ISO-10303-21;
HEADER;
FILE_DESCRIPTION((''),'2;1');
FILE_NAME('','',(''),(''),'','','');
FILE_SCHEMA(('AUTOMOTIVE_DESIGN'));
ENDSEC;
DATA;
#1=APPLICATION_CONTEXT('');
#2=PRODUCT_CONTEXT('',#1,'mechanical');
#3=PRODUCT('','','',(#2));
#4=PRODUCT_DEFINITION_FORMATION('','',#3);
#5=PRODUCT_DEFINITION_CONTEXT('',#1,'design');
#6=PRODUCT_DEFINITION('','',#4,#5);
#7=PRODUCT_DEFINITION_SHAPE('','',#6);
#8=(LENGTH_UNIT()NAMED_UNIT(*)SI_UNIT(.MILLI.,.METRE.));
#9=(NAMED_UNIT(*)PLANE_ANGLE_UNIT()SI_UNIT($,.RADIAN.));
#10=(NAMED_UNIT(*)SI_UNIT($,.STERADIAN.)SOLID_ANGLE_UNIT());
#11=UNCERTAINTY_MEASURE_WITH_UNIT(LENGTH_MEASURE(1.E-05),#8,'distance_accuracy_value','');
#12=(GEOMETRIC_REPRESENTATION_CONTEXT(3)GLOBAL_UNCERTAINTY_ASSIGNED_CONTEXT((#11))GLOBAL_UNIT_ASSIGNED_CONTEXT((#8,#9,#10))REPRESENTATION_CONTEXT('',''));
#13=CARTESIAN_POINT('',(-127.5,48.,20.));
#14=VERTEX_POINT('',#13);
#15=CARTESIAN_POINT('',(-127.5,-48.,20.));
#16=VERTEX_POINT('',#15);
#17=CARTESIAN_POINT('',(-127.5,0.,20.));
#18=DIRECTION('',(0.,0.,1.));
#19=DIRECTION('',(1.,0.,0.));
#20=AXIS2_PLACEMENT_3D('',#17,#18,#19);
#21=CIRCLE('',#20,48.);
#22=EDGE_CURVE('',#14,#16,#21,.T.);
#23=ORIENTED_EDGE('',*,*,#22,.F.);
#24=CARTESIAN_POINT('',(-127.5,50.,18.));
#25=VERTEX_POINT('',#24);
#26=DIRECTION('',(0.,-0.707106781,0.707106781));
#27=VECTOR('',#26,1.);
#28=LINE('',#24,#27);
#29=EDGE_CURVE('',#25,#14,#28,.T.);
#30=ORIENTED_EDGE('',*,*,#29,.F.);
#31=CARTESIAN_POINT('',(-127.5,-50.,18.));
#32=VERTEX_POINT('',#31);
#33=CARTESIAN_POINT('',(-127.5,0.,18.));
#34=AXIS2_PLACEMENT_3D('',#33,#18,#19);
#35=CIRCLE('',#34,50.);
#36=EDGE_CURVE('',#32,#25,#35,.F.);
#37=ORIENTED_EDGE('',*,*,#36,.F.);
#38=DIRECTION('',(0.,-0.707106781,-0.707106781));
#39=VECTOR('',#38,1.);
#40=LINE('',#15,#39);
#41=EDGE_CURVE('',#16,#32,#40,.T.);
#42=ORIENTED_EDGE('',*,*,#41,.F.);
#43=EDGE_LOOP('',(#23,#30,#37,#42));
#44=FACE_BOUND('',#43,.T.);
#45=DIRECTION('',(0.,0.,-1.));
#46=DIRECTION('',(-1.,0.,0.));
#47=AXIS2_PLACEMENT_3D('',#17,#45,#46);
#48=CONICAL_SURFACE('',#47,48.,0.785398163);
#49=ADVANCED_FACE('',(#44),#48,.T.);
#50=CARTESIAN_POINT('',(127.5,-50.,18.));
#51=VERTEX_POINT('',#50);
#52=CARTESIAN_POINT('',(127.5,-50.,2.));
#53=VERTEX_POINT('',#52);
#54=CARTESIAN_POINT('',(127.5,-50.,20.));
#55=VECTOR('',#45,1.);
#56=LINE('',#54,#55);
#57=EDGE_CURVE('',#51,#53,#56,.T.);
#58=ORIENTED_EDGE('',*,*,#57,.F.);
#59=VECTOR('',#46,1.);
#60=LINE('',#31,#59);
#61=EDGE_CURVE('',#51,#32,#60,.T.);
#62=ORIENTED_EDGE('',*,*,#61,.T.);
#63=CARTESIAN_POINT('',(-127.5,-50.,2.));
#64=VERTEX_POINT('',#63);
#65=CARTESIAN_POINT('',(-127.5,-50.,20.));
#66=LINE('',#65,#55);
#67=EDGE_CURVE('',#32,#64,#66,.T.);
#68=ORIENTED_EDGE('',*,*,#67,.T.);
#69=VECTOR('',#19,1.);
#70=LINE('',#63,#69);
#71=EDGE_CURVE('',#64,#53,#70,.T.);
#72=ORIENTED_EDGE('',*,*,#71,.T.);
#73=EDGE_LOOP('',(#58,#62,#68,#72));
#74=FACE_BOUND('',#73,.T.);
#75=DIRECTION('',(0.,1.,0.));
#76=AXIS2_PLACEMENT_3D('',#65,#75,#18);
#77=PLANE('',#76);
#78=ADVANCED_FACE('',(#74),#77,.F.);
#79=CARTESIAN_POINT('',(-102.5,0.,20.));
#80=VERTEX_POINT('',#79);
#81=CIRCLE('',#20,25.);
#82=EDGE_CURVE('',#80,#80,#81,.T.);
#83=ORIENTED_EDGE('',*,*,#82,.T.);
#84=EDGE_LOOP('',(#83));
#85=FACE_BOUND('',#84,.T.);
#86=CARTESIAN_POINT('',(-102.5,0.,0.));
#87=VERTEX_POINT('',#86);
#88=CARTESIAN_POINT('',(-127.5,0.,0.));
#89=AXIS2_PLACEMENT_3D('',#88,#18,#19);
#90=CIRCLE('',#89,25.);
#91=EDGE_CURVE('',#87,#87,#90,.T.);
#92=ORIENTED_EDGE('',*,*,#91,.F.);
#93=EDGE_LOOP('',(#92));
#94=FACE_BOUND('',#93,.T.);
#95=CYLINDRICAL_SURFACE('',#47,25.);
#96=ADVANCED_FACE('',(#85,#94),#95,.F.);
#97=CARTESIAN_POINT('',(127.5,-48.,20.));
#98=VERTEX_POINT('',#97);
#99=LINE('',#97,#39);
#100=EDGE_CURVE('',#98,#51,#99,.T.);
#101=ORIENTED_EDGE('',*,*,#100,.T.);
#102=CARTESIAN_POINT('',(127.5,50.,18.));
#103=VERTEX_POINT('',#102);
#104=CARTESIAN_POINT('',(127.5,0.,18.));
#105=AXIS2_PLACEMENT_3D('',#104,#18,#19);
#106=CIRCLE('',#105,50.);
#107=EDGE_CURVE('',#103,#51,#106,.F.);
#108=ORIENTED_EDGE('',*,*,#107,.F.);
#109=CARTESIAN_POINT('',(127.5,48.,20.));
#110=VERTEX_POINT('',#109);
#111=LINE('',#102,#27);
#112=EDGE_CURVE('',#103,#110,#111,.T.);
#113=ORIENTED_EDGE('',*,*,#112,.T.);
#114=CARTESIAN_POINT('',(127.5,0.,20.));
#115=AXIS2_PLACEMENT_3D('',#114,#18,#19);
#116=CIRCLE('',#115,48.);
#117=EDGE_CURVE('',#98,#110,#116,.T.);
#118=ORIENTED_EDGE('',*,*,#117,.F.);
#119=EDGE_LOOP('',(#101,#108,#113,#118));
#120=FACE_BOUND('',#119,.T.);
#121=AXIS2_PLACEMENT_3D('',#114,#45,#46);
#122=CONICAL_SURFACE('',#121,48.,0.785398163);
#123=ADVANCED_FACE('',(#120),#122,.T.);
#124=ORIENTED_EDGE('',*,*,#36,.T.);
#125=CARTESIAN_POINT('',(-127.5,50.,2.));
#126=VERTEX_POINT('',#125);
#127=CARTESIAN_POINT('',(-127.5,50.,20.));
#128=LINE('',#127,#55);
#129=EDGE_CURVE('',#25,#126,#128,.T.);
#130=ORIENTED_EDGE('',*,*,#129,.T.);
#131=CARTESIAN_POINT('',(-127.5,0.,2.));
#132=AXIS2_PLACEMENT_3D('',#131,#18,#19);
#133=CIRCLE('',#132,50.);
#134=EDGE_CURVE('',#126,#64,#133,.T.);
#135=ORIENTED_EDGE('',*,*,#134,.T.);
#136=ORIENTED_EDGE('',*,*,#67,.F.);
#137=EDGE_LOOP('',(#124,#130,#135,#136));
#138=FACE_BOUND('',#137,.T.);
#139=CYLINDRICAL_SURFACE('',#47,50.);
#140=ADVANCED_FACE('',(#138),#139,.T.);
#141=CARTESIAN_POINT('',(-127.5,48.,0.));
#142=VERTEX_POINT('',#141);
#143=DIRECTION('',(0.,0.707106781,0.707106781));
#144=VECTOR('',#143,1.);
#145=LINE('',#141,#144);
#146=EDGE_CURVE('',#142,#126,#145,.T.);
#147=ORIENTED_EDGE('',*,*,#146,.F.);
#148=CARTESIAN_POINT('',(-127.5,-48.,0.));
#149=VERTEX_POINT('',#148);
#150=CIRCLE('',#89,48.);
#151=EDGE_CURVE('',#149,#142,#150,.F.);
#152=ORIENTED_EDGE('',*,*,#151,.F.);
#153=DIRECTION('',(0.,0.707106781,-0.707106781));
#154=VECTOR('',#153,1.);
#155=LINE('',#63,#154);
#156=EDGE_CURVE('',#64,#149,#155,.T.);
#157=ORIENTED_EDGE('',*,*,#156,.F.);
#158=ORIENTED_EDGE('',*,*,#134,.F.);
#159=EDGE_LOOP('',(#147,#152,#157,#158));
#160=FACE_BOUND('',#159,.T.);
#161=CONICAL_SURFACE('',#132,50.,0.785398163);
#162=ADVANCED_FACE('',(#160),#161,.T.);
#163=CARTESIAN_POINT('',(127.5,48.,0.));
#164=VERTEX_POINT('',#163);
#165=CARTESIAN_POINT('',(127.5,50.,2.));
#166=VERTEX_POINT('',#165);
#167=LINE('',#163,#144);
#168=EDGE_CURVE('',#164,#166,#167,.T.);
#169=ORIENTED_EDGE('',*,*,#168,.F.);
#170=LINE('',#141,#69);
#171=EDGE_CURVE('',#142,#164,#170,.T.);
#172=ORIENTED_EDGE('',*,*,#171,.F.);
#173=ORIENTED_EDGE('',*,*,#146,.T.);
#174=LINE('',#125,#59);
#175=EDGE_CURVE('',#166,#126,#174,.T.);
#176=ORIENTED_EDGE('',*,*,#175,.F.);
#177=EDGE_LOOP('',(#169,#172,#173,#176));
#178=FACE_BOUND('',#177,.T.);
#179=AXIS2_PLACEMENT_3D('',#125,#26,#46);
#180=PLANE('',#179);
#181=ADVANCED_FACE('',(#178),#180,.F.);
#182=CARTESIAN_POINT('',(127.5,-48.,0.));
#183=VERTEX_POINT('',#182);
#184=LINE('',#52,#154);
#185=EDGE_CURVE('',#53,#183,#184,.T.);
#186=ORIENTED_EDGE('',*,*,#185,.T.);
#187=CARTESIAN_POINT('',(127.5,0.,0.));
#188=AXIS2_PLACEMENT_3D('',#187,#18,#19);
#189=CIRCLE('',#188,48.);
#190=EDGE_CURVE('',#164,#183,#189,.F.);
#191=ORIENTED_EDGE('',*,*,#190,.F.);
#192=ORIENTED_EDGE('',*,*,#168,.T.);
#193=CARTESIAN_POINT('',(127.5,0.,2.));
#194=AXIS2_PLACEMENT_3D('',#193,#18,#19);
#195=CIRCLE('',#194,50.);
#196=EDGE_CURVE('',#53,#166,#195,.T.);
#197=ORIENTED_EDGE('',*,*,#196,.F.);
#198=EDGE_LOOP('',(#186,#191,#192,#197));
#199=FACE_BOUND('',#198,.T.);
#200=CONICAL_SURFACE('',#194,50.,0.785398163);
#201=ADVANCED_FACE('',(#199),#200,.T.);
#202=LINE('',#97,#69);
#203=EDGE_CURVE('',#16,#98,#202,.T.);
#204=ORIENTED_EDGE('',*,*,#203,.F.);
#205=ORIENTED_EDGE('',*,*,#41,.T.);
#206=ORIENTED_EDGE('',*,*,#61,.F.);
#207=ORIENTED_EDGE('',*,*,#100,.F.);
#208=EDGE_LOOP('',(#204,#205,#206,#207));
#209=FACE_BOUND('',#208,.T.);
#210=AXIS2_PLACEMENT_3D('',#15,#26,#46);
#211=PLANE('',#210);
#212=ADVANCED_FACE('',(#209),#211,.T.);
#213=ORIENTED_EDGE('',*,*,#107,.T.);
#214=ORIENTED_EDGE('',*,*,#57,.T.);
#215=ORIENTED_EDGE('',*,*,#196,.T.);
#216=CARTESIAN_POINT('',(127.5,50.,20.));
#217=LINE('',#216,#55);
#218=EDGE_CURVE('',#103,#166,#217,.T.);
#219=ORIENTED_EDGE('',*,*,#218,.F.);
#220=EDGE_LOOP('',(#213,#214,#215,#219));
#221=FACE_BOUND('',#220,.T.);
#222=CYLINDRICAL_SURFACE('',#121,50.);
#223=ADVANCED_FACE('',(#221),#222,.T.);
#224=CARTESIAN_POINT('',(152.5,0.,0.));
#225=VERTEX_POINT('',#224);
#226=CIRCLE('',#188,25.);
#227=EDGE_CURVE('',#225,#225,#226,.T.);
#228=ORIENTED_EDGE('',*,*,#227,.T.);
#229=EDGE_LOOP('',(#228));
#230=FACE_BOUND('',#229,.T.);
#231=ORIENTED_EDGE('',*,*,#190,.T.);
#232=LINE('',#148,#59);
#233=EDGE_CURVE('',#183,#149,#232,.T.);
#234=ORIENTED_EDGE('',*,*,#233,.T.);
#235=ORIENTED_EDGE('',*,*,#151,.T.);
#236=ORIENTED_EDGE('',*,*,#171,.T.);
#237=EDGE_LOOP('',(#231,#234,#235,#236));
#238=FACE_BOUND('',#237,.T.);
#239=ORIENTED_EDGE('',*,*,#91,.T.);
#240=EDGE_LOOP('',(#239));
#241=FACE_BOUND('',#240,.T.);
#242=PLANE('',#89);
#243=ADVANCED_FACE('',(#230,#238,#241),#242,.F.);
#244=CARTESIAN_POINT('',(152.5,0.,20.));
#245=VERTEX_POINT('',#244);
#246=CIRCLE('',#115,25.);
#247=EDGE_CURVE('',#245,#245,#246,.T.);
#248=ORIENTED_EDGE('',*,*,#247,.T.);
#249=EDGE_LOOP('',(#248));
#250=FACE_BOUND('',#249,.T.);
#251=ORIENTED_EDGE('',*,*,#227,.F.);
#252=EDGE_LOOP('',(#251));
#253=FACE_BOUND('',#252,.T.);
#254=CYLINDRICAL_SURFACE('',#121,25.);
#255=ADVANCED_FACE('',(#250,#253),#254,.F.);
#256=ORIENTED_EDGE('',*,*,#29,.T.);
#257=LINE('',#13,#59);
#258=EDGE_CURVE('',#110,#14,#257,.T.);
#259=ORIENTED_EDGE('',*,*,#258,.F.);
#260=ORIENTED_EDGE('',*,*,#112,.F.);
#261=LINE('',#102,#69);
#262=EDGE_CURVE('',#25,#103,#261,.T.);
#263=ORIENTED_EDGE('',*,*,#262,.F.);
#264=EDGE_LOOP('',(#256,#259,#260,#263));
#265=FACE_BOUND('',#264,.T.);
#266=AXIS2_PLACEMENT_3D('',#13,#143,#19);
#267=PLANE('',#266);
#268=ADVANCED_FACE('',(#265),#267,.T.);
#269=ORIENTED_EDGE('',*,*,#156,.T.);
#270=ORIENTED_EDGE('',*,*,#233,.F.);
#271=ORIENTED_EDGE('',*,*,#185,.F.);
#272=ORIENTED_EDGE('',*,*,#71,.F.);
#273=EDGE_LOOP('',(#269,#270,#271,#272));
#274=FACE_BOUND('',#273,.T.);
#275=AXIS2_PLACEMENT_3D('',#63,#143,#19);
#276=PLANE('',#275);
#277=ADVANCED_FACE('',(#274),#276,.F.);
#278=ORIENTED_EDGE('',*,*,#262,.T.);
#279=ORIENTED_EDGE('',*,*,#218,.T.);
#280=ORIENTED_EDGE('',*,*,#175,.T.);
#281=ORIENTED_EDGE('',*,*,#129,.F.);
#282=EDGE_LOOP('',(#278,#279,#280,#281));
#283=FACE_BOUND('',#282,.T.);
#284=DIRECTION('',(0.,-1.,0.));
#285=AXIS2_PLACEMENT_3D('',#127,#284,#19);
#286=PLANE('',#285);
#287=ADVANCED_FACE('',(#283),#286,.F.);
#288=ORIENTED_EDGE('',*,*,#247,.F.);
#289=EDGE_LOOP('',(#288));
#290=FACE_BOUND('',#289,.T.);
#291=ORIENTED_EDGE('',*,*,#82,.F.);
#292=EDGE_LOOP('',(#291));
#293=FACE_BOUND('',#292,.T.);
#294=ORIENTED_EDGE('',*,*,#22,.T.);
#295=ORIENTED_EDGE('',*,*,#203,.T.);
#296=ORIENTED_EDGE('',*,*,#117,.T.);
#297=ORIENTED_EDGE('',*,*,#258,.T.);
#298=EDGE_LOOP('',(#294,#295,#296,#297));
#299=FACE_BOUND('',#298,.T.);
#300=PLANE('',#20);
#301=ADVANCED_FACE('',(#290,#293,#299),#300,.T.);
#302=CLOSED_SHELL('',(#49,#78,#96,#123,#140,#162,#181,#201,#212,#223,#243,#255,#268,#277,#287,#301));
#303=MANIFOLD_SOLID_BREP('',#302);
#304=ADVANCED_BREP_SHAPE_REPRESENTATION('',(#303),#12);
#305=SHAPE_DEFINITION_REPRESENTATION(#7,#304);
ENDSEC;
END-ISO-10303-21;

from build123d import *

# Parameters (mm, degrees)
SKETCH_1_R      = 25
EXTRUDE_1_DEPTH = 20
CHAMFER_1_SIZE  = 2


with BuildPart() as part:
    # 草圖1 → 填料-伸長1 (new body)
    with BuildSketch(Plane.XY):
        with BuildLine():
            Line((-127.5, 50), (127.5, 50))
            ThreePointArc((127.5, 50), (177.5, 0), (127.5, -50))
            Line((127.5, -50), (-127.5, -50))
            ThreePointArc((-127.5, -50), (-177.5, 0), (-127.5, 50))
        make_face()
        with Locations((-127.5, 0)):
            Circle(SKETCH_1_R, mode=Mode.SUBTRACT)
        with Locations((127.5, 0)):
            Circle(SKETCH_1_R, mode=Mode.SUBTRACT)
    extrude(amount=EXTRUDE_1_DEPTH)

    # 導角1
    chamfer_1_edges = [part.edges().sort_by_distance(p)[0] for p in [
        (177.5, 0, 20),
        (0, 50, 20),
        (-177.5, 0, 20),
        (0, 50, 0),
        (177.5, 0, 0),
        (0, -50, 0),
        (-177.5, 0, 0),
        (0, -50, 20),
    ]]
    chamfer(chamfer_1_edges, length=CHAMFER_1_SIZE)


solid = part.part
